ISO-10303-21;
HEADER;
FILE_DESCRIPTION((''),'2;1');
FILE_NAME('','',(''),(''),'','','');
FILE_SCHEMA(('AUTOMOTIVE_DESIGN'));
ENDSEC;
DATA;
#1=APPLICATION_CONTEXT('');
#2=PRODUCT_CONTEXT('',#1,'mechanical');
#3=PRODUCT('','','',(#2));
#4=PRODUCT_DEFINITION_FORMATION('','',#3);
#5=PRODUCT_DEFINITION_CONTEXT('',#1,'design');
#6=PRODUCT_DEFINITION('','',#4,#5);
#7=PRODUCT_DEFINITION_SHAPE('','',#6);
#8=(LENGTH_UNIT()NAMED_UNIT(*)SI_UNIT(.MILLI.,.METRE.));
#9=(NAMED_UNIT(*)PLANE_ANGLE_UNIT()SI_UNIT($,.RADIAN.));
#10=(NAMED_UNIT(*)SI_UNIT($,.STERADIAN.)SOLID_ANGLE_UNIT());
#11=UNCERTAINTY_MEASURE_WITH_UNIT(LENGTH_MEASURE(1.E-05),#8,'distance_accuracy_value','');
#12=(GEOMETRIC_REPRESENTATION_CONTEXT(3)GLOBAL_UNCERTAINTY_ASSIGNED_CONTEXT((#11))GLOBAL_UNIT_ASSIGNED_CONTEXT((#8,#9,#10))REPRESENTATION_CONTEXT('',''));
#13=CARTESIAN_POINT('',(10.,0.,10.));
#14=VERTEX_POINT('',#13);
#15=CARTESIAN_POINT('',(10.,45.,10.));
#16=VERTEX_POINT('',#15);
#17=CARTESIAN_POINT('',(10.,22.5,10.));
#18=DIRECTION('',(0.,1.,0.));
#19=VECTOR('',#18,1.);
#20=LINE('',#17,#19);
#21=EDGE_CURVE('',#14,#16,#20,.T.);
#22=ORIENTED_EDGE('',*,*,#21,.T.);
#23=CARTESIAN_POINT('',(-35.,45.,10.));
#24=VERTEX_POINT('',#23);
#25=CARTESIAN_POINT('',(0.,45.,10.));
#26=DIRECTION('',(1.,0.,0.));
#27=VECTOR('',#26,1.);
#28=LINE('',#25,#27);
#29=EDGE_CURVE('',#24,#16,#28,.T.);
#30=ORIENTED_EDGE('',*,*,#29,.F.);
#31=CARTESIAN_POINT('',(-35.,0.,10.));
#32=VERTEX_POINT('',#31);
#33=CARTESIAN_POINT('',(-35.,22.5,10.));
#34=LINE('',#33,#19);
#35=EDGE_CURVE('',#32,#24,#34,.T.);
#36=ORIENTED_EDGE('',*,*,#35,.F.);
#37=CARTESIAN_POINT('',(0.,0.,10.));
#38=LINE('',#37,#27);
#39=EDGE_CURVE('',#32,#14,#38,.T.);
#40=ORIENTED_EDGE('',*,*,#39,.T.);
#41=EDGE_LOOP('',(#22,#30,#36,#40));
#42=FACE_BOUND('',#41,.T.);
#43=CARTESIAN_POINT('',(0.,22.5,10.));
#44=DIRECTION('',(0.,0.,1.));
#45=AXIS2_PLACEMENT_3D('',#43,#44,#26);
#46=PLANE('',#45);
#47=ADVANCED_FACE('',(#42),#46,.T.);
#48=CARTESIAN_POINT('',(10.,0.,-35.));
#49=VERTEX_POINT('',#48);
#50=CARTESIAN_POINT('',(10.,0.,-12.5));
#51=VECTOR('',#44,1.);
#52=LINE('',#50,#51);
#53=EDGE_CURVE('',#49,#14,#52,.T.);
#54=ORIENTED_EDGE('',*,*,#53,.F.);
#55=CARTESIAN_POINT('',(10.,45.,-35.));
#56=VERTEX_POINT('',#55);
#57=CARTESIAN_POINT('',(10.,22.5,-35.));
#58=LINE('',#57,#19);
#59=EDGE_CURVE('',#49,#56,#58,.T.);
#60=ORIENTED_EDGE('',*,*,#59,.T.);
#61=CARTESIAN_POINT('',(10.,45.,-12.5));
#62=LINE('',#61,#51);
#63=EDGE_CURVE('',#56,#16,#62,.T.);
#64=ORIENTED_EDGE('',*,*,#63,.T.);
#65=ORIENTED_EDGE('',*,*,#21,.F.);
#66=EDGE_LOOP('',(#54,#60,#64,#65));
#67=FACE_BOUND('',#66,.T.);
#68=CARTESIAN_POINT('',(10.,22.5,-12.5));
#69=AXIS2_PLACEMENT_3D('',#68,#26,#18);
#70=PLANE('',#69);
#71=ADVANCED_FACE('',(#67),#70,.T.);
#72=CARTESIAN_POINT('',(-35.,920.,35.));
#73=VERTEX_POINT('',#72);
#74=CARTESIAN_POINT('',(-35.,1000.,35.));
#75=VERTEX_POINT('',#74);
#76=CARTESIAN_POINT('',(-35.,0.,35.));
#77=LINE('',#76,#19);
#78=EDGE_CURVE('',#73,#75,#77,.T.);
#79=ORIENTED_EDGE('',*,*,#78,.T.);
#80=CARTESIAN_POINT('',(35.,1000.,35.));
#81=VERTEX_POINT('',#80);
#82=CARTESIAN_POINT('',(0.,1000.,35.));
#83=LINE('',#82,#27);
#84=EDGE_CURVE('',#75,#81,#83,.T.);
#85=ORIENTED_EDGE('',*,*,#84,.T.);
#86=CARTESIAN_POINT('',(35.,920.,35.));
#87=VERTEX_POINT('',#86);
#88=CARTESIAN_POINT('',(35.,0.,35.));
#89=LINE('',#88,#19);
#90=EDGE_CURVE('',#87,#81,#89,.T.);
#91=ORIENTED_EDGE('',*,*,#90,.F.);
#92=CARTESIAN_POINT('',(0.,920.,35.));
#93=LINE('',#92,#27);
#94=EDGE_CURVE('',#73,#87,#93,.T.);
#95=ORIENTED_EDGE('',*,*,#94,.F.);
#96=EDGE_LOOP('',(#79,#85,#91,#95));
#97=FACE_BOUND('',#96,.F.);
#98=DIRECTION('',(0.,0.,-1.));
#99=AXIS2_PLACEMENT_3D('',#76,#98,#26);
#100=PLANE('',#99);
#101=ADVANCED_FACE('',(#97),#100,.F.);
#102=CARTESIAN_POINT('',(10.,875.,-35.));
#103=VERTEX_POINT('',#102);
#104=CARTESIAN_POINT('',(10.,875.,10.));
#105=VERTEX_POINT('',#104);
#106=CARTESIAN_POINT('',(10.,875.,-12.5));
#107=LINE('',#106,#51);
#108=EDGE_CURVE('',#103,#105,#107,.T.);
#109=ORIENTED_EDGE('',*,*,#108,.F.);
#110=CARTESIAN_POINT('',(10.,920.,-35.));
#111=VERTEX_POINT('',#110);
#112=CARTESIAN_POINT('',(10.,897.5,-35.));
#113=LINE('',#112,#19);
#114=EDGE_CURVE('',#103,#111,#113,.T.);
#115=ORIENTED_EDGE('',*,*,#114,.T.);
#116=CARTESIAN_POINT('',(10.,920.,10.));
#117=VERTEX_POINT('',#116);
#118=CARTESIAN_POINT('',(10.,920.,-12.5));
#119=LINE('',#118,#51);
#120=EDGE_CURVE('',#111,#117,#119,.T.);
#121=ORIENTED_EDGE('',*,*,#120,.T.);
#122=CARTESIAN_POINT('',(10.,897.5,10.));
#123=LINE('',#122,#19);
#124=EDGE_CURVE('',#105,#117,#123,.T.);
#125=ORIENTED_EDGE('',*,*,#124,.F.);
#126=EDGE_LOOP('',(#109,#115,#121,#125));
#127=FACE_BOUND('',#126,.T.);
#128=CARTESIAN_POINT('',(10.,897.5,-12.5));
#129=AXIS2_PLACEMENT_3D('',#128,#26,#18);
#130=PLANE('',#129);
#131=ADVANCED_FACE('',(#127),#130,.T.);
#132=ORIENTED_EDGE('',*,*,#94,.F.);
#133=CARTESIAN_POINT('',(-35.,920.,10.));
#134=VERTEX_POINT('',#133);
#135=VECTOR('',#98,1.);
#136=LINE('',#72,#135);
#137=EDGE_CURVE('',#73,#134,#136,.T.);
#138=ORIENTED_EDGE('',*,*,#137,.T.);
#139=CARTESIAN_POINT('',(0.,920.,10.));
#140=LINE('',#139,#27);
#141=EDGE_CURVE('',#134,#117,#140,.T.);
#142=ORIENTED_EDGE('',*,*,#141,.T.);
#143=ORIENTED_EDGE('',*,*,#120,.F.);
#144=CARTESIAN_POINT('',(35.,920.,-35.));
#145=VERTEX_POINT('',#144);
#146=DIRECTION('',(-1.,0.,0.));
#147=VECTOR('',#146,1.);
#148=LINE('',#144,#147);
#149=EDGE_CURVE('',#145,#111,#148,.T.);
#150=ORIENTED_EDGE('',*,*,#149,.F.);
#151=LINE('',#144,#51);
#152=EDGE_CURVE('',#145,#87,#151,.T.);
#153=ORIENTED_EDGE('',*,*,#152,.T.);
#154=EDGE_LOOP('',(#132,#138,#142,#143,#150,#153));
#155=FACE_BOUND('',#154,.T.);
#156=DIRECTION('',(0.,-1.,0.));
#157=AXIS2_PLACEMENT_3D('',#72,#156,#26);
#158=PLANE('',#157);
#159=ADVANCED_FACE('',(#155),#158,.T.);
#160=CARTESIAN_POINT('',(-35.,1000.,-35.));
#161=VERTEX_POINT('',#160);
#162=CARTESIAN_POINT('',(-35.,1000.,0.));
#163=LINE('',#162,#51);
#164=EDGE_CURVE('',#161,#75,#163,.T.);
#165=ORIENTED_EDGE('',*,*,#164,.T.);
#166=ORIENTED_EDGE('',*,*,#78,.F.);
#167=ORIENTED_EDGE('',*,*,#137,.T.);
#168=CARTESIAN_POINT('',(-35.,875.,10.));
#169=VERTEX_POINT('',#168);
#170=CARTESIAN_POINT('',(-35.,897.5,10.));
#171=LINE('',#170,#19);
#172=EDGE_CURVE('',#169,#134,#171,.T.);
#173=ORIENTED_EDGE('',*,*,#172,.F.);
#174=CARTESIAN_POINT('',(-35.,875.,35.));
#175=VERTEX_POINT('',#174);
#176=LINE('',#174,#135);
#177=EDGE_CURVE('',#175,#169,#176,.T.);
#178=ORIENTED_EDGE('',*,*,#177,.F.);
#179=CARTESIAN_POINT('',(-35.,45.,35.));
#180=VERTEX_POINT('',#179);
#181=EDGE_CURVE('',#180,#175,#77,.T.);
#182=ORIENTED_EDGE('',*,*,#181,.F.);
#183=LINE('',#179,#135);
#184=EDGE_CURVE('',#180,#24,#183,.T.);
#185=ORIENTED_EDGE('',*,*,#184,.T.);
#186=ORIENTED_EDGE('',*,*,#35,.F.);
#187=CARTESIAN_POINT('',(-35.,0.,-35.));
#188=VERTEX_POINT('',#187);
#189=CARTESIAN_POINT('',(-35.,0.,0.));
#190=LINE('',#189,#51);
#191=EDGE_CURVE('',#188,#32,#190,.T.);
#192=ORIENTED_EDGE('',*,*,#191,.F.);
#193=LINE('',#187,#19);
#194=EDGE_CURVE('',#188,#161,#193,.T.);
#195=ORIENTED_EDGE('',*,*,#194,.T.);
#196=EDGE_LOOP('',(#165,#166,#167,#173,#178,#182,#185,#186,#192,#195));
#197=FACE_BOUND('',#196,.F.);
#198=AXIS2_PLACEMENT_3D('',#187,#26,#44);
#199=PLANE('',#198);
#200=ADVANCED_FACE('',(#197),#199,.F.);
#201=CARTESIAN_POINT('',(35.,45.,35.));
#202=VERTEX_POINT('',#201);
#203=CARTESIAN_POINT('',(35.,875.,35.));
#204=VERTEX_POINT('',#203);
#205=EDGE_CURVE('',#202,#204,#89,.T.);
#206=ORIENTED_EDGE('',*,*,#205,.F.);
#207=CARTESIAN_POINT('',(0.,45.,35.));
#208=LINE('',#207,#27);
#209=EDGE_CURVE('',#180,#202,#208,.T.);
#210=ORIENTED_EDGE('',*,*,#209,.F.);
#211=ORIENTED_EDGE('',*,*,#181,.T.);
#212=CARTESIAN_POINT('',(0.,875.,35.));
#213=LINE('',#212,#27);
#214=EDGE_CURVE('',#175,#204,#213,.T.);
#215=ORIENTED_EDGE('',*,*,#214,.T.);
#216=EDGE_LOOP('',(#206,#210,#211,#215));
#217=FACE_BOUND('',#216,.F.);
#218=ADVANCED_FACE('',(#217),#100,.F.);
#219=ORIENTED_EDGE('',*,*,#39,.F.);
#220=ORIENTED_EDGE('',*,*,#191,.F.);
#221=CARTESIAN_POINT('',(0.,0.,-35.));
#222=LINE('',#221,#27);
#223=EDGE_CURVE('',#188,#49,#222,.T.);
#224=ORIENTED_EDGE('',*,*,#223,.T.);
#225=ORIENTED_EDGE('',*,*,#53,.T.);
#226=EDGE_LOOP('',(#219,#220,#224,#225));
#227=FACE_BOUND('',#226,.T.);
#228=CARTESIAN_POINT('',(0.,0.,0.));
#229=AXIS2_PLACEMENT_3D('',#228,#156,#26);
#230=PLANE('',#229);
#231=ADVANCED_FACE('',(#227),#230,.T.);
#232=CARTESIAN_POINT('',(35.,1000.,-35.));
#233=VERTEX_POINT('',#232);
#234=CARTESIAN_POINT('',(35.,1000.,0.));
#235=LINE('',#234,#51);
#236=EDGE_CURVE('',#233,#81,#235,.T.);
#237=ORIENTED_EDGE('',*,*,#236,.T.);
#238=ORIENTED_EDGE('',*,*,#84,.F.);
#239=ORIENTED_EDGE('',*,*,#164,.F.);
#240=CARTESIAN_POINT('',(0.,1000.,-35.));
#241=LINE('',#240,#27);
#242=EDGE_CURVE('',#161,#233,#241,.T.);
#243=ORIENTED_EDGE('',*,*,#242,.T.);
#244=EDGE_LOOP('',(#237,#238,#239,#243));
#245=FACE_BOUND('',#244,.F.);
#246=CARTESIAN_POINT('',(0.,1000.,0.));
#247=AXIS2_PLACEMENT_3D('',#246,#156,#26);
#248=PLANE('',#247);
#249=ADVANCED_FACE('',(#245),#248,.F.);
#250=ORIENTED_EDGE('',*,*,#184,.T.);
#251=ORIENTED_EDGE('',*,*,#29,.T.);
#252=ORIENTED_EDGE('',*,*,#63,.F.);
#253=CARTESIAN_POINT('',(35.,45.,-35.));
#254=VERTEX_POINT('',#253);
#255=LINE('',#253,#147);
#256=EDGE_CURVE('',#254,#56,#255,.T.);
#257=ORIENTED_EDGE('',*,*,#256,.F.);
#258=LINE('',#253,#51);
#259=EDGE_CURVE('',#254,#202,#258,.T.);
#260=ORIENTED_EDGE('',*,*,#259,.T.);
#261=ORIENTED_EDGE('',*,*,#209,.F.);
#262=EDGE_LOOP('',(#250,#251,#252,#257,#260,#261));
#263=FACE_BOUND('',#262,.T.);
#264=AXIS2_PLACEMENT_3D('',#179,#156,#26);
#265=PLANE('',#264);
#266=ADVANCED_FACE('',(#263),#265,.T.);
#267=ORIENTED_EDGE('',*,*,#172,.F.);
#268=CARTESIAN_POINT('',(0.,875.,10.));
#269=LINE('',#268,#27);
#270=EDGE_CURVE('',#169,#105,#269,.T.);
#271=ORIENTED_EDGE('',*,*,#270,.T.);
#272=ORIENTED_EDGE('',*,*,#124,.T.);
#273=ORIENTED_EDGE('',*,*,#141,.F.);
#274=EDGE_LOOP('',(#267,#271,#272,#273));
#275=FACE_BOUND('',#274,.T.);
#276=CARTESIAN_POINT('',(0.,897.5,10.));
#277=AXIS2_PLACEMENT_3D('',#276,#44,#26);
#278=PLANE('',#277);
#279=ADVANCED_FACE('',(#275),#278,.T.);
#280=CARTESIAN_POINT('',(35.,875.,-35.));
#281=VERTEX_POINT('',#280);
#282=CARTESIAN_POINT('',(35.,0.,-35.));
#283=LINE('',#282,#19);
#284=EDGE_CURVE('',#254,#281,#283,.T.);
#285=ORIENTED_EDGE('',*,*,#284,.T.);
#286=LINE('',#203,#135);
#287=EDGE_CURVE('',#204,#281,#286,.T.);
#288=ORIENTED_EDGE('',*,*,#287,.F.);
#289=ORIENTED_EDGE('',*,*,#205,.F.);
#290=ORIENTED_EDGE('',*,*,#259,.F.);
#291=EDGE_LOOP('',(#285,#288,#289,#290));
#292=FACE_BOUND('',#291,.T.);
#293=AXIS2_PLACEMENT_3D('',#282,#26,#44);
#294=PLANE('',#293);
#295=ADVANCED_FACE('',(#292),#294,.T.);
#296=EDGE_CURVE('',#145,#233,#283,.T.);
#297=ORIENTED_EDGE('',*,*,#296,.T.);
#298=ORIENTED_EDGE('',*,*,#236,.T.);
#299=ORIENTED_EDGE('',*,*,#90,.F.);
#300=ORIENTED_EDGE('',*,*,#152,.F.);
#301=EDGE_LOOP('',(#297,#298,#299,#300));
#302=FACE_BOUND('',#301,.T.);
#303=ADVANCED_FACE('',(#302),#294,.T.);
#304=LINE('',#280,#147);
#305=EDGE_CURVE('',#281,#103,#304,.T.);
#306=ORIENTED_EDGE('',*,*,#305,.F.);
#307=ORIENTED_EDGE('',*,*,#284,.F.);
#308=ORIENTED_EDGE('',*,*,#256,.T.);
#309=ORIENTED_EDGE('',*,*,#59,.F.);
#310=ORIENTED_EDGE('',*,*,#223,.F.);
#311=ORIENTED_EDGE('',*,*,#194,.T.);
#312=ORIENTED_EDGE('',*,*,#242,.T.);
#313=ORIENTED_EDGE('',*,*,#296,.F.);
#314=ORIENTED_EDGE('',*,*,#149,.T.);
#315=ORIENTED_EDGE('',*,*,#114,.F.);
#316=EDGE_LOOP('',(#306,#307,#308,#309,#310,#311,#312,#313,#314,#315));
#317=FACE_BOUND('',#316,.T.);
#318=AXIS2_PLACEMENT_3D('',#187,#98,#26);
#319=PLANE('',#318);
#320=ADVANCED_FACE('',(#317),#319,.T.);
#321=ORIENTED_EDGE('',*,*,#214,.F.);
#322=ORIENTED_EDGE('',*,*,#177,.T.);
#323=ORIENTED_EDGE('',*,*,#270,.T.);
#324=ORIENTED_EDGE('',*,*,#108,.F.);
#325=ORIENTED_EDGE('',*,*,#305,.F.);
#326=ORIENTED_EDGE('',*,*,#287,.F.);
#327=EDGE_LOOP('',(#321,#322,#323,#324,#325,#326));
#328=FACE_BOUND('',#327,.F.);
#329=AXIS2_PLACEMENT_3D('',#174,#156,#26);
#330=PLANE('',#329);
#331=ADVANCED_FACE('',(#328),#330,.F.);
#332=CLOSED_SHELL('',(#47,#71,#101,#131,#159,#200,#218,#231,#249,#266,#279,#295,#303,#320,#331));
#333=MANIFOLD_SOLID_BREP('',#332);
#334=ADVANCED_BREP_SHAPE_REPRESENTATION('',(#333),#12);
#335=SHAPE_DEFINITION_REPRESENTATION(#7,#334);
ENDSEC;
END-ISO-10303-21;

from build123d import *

# Parameters (mm, degrees)
F0_W     = 70
F0_H     = 70
F1_DEPTH = 1000
F2_W     = 70
F2_H     = 45
F3_DEPTH = 25
F4_W     = 45
F4_H     = 45
F5_DEPTH = 25
F6_W     = 70
F6_H     = 45
F7_DEPTH = 25
F8_W     = 45
F8_H     = 45
F9_DEPTH = 25


with BuildPart() as f1:
    # F0 (on Front) → F1 (new body)
    with BuildSketch(Plane.XZ):
        Rectangle(F0_W, F0_H)
    extrude(amount=-F1_DEPTH)

    # F2 (on face) → F3 (cut)
    with BuildSketch(Plane.XY.offset(35)):
        with Locations((0, 22.5)):
            Rectangle(F2_W, F2_H)
    extrude(amount=-F3_DEPTH, mode=Mode.SUBTRACT)

    # F4 (on face) → F5 (cut)
    with BuildSketch(Plane.YZ.offset(35)):
        with Locations((22.5, -12.5)):
            Rectangle(F4_W, F4_H)
    extrude(amount=-F5_DEPTH, mode=Mode.SUBTRACT)

    # F6 (on face) → F7 (cut)
    with BuildSketch(Plane.XY.offset(35)):
        with Locations((0, 897.5)):
            Rectangle(F6_W, F6_H)
    extrude(amount=-F7_DEPTH, mode=Mode.SUBTRACT)

    # F8 (on face) → F9 (cut)
    with BuildSketch(Plane.YZ.offset(35)):
        with Locations((897.5, -12.5)):
            Rectangle(F8_W, F8_H)
    extrude(amount=-F9_DEPTH, mode=Mode.SUBTRACT)


solid = f1.part
